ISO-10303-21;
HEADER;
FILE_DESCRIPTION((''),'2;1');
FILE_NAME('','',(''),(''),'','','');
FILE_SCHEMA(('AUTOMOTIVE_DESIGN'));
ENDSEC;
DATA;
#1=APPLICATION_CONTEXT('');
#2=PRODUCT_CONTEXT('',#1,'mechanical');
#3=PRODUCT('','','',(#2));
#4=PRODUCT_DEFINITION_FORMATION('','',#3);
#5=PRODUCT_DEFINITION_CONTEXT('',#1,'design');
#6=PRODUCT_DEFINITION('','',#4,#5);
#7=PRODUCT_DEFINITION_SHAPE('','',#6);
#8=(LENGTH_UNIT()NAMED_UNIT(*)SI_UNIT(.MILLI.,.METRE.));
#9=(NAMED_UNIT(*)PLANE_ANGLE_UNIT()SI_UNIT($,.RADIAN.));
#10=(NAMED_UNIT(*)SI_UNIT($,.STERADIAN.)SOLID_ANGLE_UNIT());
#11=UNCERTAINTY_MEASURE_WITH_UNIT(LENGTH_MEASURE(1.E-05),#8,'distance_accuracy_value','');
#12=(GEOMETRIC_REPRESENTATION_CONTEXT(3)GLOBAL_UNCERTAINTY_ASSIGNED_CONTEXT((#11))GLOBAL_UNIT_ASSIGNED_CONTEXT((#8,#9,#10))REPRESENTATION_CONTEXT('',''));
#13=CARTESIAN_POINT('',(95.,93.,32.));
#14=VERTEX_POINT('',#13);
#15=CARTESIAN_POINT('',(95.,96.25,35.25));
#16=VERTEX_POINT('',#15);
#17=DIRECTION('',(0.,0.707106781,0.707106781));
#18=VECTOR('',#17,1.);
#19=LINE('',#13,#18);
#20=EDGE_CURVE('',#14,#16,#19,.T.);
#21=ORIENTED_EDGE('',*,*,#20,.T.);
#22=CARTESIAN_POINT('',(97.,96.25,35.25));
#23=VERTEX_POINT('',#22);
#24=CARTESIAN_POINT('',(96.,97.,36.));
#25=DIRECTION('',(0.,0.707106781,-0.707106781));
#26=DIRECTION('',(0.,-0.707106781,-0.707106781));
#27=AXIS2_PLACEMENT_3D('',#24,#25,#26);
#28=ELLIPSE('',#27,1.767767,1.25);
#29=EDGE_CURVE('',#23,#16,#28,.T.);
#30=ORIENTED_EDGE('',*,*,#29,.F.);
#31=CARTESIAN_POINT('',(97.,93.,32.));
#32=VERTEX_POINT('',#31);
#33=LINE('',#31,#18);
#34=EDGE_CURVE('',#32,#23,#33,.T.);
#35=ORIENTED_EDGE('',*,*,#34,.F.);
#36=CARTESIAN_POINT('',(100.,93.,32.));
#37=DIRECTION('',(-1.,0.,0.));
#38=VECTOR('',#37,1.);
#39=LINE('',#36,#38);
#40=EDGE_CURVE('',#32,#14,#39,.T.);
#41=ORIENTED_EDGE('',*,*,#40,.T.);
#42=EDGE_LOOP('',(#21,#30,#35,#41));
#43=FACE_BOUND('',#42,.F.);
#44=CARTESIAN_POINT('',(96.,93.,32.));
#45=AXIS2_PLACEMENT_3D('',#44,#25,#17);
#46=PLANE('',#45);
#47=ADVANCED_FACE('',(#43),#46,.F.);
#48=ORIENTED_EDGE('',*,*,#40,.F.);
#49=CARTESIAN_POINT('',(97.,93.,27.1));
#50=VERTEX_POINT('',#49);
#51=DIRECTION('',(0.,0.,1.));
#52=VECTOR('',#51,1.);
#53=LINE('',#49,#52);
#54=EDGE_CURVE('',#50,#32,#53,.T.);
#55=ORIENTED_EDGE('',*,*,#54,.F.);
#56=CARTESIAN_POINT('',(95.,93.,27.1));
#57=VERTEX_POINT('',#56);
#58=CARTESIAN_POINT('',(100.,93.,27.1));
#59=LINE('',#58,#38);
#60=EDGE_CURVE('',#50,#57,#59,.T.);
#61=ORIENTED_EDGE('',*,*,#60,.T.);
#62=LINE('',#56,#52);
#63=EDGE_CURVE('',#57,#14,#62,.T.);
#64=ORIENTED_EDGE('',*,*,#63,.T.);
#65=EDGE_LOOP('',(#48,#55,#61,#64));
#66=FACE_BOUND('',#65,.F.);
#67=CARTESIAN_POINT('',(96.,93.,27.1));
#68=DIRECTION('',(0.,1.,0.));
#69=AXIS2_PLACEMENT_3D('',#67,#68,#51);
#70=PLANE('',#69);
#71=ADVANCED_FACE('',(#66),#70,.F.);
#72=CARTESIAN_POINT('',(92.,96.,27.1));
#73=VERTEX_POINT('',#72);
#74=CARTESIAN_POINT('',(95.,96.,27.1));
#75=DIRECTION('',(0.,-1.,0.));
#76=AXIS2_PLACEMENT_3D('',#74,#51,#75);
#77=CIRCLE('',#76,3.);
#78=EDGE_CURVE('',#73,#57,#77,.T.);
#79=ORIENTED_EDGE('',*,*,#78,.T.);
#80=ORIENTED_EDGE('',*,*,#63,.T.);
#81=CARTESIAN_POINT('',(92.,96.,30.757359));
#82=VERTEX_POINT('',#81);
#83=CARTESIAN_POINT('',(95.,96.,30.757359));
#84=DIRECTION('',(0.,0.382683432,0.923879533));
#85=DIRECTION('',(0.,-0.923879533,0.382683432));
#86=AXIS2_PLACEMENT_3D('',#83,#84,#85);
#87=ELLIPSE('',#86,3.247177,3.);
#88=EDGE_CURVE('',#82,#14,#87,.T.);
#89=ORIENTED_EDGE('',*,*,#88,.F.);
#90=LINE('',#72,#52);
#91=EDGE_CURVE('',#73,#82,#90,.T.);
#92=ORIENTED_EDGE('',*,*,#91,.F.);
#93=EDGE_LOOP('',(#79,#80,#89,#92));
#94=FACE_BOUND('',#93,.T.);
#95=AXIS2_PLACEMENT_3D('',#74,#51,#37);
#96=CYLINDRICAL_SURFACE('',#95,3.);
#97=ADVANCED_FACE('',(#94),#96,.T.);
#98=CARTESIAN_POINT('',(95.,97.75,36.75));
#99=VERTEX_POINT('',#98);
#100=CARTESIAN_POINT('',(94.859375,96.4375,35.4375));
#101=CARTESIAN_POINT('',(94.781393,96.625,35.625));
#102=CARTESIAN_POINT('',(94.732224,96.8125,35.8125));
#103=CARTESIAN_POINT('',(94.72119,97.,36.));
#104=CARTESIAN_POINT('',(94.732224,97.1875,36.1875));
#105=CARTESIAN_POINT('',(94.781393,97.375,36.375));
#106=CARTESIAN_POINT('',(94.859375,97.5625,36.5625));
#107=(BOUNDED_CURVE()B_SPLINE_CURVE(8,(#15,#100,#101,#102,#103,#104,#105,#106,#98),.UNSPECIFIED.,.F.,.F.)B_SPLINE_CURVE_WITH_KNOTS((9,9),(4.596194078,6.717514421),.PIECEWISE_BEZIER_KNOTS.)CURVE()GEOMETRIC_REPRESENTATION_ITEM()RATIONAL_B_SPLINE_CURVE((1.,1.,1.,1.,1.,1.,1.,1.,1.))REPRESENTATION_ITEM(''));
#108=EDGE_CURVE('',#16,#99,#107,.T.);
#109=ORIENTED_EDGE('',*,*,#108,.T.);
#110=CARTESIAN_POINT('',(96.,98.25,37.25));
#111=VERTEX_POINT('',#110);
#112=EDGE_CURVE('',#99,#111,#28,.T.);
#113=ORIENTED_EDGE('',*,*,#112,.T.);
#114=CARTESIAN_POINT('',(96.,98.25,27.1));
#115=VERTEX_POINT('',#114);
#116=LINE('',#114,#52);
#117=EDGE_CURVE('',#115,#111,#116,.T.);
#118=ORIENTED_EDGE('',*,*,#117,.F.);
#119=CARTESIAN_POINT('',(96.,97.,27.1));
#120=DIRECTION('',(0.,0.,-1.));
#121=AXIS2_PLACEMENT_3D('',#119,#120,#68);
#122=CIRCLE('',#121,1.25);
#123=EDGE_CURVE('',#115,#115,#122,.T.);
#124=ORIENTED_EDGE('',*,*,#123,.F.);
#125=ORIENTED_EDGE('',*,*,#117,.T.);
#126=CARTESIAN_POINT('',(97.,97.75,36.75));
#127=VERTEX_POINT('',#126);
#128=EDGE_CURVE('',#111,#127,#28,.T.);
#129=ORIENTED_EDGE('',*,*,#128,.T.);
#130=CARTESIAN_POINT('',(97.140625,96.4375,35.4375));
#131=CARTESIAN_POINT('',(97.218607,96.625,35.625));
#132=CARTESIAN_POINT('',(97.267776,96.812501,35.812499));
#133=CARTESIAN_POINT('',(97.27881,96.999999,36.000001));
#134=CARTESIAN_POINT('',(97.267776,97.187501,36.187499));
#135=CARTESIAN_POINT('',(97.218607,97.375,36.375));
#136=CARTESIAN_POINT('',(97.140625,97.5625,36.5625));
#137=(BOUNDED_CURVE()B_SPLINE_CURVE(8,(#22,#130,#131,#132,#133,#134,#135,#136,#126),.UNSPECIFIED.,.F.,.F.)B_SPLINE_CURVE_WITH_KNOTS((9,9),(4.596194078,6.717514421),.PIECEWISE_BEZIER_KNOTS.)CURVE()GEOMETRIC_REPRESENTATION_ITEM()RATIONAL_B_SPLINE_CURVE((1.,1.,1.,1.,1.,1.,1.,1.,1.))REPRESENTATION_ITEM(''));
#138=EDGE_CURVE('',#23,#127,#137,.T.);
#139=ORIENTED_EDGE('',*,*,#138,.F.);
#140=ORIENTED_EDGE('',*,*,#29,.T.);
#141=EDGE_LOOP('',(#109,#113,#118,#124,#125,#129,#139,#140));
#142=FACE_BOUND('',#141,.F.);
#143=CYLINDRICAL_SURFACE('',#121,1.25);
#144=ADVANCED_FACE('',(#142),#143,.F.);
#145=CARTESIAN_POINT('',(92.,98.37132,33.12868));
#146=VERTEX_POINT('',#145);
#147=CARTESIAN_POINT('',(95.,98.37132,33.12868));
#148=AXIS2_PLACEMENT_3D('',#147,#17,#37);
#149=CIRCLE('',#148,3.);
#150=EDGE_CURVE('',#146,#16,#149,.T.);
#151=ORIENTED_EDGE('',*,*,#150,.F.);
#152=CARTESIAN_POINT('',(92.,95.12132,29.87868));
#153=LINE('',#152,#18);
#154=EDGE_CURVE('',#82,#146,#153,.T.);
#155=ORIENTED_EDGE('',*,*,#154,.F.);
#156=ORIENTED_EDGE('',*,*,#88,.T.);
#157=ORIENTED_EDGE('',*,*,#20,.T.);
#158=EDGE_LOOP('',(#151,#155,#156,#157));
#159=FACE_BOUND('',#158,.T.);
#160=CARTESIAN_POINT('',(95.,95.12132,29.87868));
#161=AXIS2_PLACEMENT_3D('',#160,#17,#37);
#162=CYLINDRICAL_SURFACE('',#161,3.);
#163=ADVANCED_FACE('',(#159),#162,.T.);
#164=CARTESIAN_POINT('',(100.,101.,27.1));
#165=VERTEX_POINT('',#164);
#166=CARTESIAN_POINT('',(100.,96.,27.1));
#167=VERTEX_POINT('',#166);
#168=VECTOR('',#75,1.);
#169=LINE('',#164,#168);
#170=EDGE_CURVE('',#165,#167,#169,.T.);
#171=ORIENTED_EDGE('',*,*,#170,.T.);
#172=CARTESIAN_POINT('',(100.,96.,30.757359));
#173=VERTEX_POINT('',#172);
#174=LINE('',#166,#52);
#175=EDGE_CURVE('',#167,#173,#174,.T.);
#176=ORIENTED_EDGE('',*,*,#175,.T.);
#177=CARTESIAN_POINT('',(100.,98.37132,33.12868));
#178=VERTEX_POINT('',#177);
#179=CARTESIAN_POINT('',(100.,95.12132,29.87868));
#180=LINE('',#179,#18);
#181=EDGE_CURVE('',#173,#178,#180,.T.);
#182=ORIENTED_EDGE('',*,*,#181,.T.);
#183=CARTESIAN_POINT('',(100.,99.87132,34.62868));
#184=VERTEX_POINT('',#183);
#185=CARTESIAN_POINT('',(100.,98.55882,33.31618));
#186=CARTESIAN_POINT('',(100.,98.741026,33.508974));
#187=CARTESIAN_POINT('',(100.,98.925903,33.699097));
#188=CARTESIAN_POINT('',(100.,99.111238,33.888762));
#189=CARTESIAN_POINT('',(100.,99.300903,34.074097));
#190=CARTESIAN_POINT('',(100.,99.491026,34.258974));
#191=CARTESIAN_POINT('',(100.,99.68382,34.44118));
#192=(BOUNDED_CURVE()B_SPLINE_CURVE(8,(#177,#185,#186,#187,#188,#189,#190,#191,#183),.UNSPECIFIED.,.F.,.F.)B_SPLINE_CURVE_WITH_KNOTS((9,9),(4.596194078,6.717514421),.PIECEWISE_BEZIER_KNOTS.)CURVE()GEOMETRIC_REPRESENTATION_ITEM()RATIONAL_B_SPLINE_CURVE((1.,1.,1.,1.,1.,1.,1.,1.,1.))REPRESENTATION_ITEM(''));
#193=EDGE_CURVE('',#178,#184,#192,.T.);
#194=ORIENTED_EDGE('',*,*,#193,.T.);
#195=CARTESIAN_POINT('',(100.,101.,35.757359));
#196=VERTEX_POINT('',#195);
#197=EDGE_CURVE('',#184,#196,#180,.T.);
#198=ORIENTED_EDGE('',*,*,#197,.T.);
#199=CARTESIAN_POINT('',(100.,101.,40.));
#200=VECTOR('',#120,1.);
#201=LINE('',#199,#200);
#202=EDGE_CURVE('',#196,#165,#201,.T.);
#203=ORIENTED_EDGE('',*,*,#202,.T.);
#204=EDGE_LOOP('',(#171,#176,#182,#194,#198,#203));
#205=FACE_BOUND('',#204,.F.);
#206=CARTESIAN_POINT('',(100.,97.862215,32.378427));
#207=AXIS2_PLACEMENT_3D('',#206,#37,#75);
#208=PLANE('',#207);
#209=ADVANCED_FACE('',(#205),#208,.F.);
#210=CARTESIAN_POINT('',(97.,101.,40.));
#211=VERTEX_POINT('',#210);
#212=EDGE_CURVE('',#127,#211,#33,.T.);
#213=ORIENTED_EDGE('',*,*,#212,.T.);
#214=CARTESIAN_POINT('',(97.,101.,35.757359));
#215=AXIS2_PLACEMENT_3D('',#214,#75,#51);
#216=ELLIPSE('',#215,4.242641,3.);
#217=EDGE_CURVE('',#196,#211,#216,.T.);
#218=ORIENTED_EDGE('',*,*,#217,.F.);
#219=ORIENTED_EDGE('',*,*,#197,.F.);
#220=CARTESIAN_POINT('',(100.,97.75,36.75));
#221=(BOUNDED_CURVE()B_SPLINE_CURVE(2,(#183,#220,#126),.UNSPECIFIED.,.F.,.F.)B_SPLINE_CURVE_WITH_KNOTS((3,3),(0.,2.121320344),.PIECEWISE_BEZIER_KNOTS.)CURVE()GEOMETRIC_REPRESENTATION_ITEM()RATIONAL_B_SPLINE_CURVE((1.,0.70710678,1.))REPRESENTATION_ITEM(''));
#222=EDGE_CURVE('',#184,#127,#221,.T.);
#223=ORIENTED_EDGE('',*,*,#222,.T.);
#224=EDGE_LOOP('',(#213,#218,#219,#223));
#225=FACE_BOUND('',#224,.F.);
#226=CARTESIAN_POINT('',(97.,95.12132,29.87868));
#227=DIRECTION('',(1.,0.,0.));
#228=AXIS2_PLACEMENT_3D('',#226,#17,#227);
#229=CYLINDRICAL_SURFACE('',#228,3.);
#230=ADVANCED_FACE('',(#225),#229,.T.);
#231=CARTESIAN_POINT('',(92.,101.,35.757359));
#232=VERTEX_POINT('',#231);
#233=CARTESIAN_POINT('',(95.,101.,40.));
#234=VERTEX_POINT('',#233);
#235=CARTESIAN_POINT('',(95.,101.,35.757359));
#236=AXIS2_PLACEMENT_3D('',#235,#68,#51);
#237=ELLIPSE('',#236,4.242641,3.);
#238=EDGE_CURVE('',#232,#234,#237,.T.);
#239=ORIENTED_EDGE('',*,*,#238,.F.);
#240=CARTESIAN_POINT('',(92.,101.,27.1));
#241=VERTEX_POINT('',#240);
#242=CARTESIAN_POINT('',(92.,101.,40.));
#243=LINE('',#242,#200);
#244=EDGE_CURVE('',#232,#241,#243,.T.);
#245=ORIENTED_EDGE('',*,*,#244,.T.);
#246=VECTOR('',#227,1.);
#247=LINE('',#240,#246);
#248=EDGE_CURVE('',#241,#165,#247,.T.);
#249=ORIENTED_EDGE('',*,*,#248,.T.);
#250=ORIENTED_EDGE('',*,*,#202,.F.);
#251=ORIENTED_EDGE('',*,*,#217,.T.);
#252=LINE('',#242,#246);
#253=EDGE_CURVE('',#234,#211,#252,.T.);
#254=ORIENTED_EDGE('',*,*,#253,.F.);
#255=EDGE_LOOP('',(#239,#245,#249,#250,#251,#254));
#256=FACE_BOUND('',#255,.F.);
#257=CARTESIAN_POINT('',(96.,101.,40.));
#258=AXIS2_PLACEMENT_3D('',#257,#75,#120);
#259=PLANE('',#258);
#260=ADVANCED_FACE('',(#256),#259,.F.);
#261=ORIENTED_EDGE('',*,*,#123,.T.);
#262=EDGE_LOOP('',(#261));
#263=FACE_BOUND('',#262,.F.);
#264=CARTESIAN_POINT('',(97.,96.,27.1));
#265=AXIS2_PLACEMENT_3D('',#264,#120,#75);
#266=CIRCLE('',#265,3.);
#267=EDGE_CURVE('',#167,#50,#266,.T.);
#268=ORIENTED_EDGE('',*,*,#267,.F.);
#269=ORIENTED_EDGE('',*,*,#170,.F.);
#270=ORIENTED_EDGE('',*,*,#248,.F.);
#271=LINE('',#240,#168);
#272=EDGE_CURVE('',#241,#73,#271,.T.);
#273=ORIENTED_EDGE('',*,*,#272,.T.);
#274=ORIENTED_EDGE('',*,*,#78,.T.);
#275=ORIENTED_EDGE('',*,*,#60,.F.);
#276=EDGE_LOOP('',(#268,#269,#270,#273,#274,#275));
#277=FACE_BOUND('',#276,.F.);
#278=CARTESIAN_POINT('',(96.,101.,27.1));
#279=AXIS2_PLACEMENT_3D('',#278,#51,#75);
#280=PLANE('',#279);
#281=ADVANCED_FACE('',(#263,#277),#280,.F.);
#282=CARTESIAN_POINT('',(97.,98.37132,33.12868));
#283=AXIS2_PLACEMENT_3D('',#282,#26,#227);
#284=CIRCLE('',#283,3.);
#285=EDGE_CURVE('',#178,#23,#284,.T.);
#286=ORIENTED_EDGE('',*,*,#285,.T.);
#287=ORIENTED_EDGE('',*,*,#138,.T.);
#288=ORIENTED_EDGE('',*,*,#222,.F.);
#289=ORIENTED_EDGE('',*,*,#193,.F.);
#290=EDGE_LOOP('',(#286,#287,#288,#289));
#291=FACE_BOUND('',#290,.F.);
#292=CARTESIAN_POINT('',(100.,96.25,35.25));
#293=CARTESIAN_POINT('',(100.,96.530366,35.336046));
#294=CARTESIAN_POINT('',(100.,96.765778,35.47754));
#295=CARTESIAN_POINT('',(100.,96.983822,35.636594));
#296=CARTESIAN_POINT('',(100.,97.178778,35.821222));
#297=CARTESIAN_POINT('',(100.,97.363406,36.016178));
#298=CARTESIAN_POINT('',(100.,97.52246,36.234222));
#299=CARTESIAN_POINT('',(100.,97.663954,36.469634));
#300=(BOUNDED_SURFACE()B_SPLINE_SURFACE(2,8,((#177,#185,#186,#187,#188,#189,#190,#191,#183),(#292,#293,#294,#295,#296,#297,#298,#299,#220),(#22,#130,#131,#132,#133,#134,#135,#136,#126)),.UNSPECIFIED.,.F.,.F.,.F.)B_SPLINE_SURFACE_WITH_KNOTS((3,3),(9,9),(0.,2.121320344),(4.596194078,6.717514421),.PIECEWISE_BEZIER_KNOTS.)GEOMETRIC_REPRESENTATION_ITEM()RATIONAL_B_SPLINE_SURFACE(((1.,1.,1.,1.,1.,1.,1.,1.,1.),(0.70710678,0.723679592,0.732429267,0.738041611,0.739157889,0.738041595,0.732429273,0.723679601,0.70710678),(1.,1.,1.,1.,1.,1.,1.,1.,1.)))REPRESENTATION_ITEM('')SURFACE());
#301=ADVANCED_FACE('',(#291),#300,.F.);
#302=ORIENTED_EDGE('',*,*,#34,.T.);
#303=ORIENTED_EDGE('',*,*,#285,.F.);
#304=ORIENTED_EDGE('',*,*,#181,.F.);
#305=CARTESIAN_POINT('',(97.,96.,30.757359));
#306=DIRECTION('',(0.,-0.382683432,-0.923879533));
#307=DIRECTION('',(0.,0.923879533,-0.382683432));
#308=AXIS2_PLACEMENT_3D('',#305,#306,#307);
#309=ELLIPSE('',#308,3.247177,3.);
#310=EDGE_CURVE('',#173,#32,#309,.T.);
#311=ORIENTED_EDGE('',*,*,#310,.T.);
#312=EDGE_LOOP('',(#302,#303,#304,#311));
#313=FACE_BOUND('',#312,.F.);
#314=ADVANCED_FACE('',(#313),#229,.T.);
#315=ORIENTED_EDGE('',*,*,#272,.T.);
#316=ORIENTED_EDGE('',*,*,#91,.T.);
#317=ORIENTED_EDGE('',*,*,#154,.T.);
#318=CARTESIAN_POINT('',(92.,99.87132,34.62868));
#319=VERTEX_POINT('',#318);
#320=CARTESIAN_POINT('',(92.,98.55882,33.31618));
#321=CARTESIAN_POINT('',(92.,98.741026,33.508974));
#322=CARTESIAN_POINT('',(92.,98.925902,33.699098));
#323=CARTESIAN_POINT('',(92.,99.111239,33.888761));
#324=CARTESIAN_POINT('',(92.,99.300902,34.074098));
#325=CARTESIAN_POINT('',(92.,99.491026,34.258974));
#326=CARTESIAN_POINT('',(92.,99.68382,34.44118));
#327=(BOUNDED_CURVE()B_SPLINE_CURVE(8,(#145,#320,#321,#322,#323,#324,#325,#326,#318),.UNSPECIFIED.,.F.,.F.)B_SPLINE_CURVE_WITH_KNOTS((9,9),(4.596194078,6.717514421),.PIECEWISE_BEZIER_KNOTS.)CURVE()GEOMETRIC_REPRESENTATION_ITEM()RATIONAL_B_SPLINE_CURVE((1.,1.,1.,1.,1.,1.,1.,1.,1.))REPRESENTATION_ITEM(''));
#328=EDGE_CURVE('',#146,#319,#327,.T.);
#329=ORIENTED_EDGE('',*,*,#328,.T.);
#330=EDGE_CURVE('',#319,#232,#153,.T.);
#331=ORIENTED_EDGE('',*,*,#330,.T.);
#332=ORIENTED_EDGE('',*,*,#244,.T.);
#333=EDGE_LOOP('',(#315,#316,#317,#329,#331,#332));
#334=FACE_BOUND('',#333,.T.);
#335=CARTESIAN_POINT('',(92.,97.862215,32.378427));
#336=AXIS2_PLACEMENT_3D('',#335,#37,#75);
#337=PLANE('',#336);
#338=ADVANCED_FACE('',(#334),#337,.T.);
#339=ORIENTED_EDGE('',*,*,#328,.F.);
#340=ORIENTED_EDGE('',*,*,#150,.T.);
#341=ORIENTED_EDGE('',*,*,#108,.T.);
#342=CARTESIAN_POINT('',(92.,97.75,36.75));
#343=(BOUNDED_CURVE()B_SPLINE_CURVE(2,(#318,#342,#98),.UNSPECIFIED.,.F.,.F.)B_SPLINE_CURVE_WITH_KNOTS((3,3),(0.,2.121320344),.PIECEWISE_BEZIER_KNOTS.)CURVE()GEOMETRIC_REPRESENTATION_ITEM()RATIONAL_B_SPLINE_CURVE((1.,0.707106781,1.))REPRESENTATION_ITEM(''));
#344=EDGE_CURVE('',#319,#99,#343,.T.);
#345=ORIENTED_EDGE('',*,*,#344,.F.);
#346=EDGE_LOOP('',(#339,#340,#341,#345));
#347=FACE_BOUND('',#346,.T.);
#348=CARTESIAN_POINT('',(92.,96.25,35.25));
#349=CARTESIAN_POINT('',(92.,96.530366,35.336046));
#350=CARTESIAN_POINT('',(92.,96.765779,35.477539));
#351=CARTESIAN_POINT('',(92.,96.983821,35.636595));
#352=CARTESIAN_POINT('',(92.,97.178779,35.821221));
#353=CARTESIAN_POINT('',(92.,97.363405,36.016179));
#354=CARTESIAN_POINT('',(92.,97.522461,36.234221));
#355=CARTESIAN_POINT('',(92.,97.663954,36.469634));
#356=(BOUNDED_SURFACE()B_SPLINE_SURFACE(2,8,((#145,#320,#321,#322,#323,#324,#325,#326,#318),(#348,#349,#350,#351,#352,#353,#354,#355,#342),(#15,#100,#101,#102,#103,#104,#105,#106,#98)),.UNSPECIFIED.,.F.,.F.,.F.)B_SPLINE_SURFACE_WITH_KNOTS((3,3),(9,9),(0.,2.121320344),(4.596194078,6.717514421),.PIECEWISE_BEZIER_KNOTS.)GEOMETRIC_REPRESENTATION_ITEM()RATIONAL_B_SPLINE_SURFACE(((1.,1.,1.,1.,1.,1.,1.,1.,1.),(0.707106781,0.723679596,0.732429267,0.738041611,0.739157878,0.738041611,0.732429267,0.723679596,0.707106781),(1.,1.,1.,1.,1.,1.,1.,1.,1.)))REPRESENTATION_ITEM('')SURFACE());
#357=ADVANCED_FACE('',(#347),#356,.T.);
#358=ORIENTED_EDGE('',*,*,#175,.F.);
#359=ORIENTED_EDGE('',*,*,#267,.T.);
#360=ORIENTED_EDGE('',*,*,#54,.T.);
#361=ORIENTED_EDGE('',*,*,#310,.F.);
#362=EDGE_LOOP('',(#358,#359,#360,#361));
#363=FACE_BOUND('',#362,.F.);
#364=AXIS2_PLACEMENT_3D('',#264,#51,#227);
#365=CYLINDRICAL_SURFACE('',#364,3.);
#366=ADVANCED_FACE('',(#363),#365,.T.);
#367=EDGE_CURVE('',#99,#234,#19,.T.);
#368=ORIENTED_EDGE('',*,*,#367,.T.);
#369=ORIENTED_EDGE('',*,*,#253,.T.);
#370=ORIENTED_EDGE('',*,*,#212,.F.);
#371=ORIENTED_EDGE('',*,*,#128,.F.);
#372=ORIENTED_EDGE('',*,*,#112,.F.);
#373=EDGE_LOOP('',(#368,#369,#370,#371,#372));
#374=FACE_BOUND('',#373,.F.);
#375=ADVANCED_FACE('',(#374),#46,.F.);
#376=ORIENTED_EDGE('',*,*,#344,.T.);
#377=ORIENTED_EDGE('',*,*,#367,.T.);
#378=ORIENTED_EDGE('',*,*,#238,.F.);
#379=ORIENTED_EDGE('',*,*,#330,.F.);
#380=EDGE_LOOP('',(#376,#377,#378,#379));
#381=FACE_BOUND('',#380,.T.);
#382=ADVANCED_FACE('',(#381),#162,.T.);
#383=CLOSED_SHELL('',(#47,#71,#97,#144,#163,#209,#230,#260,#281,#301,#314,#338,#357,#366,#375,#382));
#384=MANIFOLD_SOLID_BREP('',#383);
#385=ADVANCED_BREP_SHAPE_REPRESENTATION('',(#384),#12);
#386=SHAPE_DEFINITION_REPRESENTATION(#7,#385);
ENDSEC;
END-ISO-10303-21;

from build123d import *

# Parameters (mm, degrees)
PAD027_DEPTH    = 4
SKETCH057_R     = 1.25
POCKET019_DEPTH = 12.901
FILLET_R        = 3


with BuildPart() as part:
    # Sketch055 → Pad027 (new body, symmetric)
    with BuildSketch(Plane.YZ.offset(-96)):
        Polygon((101, 27.1), (93, 27.1), (93, 32), (101, 40), align=None)
    extrude(amount=PAD027_DEPTH, both=True)

    # Sketch057 (on Face1 of Pad027) → Pocket019 (cut, through all)
    with BuildSketch(Plane.YX.offset(-27.1)):
        with Locations((97, -96)):
            Circle(SKETCH057_R)
    extrude(amount=-POCKET019_DEPTH, mode=Mode.SUBTRACT)

    # Fillet
    fillet_edges = [part.edges().sort_by_distance(p)[0] for p in [
        (-100, 93, 29.55),
        (-100, 97, 36),
        (-92, 97, 36),
        (-92, 93, 29.55),
    ]]
    fillet(fillet_edges, radius=FILLET_R)


with BuildPart() as part_1:
    # Body039 placement: moved
    add(part.part.moved(Location((192, 0, 0))))


solid = part_1.part
